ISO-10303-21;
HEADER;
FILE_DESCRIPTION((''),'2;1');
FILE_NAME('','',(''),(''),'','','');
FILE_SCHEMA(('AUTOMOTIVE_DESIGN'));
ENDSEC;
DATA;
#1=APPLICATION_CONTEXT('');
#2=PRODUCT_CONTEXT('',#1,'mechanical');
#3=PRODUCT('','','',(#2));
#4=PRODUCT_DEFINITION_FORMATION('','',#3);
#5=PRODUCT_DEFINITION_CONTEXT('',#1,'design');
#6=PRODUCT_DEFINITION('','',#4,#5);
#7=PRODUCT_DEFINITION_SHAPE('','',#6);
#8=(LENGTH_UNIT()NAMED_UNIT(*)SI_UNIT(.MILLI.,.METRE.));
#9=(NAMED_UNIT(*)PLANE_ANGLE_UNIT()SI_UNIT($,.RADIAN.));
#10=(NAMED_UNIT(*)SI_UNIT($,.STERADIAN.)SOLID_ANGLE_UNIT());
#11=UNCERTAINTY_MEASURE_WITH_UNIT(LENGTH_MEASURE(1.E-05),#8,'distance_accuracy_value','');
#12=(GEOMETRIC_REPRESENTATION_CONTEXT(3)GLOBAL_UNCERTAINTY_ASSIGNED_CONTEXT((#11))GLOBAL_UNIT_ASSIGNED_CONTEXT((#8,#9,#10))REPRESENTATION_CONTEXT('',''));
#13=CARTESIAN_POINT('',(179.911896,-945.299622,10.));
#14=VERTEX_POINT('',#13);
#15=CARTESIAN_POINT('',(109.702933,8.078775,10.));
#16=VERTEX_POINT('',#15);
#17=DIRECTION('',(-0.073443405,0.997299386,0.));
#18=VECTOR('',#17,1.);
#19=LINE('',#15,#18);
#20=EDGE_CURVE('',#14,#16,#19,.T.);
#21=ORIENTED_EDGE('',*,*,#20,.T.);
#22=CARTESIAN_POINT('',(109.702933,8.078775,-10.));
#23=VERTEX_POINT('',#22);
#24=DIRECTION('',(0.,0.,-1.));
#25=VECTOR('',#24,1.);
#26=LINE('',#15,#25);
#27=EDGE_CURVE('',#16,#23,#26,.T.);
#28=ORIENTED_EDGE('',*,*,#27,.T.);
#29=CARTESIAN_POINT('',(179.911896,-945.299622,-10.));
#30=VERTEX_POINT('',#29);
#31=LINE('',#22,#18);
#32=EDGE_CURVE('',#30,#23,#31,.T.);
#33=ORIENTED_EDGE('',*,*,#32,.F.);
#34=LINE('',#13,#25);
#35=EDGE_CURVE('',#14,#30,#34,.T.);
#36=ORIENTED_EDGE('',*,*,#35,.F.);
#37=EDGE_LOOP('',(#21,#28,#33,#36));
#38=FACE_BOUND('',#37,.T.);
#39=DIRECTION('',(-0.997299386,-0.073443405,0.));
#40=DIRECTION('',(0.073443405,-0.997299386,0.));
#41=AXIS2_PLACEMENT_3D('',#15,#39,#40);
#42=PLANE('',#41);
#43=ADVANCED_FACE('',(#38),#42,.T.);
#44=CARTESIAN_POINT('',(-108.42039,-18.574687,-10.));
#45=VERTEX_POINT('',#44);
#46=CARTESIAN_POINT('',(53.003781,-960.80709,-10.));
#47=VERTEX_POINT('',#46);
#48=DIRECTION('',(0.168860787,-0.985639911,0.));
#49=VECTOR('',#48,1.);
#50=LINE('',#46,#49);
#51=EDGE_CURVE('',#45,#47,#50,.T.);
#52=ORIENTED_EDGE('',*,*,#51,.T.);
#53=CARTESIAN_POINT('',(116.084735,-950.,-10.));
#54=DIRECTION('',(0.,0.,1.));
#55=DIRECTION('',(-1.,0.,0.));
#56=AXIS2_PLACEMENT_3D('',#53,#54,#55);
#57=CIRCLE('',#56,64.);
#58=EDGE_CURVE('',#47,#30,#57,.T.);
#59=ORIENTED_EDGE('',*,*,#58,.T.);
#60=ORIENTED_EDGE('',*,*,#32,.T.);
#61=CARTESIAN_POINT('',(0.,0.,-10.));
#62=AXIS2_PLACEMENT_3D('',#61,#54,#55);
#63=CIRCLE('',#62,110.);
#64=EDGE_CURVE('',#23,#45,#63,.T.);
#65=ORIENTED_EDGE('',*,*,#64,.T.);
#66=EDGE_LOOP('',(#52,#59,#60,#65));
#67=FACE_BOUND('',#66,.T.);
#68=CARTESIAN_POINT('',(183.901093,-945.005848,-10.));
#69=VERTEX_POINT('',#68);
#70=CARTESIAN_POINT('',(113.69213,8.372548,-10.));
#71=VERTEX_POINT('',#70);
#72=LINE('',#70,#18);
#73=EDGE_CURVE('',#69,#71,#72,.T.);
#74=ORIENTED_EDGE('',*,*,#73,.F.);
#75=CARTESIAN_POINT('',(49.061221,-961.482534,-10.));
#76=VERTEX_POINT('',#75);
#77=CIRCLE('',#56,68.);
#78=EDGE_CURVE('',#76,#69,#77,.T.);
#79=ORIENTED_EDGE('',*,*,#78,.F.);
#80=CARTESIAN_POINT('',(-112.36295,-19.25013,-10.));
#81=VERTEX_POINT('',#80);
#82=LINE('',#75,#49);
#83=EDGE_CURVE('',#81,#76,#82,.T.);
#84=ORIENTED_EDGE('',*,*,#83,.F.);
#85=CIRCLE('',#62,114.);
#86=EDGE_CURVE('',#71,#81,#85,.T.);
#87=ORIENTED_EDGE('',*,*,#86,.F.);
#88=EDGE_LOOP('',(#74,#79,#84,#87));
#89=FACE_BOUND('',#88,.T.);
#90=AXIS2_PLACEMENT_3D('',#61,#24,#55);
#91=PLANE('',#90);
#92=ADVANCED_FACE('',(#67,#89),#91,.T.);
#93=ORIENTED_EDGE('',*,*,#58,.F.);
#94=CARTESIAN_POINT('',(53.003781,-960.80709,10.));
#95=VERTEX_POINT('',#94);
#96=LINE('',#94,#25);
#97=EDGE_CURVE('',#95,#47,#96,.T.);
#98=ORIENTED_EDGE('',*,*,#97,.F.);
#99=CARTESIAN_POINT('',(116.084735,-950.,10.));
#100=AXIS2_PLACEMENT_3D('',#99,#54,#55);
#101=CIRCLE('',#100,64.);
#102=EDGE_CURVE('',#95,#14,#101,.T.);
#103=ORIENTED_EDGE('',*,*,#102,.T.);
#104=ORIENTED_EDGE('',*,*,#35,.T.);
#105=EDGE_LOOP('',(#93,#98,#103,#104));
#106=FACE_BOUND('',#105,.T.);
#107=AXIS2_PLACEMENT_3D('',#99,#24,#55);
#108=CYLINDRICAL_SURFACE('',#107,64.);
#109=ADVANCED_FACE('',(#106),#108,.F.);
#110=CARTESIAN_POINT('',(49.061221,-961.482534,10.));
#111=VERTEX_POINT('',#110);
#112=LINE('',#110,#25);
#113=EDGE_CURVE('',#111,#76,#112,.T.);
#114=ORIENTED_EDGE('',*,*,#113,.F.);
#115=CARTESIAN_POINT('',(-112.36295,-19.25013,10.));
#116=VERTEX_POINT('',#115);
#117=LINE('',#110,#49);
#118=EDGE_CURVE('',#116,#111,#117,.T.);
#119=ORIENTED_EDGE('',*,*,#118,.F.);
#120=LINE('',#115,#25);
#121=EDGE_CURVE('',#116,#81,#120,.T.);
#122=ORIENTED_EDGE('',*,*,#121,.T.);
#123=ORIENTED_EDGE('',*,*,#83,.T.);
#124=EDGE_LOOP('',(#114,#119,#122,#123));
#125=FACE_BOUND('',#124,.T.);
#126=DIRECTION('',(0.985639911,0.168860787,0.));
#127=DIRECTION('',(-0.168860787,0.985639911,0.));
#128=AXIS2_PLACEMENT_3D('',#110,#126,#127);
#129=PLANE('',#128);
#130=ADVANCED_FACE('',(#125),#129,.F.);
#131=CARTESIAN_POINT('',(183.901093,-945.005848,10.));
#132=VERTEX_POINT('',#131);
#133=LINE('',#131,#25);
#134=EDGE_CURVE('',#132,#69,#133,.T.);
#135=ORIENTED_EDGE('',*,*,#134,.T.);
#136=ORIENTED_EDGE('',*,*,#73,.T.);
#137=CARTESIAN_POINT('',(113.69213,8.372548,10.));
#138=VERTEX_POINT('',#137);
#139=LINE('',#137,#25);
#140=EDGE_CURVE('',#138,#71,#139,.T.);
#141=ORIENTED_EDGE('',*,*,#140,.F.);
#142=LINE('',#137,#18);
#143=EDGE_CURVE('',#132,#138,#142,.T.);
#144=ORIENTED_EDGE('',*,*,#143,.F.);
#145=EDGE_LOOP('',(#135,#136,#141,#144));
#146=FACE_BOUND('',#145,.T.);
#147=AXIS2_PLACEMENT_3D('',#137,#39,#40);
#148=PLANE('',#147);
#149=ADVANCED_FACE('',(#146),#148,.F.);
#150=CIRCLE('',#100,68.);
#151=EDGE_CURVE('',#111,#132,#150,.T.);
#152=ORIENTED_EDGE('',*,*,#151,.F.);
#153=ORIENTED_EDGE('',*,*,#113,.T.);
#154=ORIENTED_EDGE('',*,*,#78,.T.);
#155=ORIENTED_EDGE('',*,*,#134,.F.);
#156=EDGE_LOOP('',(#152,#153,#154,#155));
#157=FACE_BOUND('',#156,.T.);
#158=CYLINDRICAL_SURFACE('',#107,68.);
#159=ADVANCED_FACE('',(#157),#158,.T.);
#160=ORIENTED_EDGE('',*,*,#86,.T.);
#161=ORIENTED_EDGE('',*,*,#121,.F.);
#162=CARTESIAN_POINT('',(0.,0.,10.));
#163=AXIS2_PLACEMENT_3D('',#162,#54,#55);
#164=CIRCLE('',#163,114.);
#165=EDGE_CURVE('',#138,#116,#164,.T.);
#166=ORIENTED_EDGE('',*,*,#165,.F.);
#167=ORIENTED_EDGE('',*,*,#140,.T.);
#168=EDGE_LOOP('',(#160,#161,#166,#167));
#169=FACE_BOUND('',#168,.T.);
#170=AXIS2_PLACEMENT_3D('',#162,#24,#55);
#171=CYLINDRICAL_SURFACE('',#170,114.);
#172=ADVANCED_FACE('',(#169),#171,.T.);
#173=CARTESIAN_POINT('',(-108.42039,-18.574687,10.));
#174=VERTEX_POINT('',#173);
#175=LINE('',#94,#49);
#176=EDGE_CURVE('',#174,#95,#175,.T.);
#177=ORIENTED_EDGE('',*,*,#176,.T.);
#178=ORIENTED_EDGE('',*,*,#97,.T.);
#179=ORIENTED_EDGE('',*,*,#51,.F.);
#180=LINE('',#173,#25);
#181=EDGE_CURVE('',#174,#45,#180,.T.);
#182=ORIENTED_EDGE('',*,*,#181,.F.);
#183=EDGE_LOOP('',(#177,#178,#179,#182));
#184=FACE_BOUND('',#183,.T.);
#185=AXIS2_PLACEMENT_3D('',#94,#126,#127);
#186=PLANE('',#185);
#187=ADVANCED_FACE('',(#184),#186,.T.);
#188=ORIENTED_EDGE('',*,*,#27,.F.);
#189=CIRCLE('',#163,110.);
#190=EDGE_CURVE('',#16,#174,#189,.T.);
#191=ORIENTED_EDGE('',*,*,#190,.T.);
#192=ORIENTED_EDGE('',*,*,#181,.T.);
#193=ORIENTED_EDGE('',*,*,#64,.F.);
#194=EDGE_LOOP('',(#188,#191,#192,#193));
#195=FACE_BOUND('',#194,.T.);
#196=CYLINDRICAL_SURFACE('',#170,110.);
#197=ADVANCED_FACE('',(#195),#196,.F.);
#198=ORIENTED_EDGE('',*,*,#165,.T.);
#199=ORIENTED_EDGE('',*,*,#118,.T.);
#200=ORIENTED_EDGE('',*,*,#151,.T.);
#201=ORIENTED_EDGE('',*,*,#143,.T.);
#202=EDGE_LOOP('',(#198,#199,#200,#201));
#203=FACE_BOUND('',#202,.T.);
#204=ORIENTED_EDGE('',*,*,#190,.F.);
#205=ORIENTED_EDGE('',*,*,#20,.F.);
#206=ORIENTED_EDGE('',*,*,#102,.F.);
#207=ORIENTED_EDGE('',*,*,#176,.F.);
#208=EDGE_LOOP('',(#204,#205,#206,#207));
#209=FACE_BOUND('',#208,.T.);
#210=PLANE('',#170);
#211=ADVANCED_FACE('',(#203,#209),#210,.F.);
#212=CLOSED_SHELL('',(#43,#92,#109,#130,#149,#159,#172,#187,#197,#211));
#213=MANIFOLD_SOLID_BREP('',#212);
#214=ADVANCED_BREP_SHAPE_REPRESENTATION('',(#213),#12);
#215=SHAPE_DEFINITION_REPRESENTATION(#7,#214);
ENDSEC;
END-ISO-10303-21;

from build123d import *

# Parameters (mm, degrees)
BOSS_EXTRUDE1_DEPTH = 10


with BuildPart() as part:
    # Sketch1 → Boss-Extrude1 (new, symmetric)
    with BuildSketch(Plane.XY):
        with BuildLine():
            Line((113.692130056, 8.372548198), (183.901093268, -945.005848443))
            ThreePointArc((183.901093268, -945.005848443), (124.332609771, -1017.497944869), (49.061221028, -961.482533533))
            Line((49.061221028, -961.482533533), (-112.362949876, -19.250129746))
            ThreePointArc((-112.362949876, -19.250129746), (-13.827319487, 113.15831934), (113.692130056, 8.372548198))
        make_face()
        with BuildLine():
            Line((109.70293251, 8.078774577), (179.911895722, -945.299622064))
            ThreePointArc((179.911895722, -945.299622064), (123.847440666, -1013.527477524), (53.003780673, -960.807090384))
            Line((53.003780673, -960.807090384), (-108.420390231, -18.574686597))
            ThreePointArc((-108.420390231, -18.574686597), (-13.342150382, 109.187851995), (109.70293251, 8.078774577))
        make_face(mode=Mode.SUBTRACT)
    extrude(amount=BOSS_EXTRUDE1_DEPTH, both=True)


solid = part.part
